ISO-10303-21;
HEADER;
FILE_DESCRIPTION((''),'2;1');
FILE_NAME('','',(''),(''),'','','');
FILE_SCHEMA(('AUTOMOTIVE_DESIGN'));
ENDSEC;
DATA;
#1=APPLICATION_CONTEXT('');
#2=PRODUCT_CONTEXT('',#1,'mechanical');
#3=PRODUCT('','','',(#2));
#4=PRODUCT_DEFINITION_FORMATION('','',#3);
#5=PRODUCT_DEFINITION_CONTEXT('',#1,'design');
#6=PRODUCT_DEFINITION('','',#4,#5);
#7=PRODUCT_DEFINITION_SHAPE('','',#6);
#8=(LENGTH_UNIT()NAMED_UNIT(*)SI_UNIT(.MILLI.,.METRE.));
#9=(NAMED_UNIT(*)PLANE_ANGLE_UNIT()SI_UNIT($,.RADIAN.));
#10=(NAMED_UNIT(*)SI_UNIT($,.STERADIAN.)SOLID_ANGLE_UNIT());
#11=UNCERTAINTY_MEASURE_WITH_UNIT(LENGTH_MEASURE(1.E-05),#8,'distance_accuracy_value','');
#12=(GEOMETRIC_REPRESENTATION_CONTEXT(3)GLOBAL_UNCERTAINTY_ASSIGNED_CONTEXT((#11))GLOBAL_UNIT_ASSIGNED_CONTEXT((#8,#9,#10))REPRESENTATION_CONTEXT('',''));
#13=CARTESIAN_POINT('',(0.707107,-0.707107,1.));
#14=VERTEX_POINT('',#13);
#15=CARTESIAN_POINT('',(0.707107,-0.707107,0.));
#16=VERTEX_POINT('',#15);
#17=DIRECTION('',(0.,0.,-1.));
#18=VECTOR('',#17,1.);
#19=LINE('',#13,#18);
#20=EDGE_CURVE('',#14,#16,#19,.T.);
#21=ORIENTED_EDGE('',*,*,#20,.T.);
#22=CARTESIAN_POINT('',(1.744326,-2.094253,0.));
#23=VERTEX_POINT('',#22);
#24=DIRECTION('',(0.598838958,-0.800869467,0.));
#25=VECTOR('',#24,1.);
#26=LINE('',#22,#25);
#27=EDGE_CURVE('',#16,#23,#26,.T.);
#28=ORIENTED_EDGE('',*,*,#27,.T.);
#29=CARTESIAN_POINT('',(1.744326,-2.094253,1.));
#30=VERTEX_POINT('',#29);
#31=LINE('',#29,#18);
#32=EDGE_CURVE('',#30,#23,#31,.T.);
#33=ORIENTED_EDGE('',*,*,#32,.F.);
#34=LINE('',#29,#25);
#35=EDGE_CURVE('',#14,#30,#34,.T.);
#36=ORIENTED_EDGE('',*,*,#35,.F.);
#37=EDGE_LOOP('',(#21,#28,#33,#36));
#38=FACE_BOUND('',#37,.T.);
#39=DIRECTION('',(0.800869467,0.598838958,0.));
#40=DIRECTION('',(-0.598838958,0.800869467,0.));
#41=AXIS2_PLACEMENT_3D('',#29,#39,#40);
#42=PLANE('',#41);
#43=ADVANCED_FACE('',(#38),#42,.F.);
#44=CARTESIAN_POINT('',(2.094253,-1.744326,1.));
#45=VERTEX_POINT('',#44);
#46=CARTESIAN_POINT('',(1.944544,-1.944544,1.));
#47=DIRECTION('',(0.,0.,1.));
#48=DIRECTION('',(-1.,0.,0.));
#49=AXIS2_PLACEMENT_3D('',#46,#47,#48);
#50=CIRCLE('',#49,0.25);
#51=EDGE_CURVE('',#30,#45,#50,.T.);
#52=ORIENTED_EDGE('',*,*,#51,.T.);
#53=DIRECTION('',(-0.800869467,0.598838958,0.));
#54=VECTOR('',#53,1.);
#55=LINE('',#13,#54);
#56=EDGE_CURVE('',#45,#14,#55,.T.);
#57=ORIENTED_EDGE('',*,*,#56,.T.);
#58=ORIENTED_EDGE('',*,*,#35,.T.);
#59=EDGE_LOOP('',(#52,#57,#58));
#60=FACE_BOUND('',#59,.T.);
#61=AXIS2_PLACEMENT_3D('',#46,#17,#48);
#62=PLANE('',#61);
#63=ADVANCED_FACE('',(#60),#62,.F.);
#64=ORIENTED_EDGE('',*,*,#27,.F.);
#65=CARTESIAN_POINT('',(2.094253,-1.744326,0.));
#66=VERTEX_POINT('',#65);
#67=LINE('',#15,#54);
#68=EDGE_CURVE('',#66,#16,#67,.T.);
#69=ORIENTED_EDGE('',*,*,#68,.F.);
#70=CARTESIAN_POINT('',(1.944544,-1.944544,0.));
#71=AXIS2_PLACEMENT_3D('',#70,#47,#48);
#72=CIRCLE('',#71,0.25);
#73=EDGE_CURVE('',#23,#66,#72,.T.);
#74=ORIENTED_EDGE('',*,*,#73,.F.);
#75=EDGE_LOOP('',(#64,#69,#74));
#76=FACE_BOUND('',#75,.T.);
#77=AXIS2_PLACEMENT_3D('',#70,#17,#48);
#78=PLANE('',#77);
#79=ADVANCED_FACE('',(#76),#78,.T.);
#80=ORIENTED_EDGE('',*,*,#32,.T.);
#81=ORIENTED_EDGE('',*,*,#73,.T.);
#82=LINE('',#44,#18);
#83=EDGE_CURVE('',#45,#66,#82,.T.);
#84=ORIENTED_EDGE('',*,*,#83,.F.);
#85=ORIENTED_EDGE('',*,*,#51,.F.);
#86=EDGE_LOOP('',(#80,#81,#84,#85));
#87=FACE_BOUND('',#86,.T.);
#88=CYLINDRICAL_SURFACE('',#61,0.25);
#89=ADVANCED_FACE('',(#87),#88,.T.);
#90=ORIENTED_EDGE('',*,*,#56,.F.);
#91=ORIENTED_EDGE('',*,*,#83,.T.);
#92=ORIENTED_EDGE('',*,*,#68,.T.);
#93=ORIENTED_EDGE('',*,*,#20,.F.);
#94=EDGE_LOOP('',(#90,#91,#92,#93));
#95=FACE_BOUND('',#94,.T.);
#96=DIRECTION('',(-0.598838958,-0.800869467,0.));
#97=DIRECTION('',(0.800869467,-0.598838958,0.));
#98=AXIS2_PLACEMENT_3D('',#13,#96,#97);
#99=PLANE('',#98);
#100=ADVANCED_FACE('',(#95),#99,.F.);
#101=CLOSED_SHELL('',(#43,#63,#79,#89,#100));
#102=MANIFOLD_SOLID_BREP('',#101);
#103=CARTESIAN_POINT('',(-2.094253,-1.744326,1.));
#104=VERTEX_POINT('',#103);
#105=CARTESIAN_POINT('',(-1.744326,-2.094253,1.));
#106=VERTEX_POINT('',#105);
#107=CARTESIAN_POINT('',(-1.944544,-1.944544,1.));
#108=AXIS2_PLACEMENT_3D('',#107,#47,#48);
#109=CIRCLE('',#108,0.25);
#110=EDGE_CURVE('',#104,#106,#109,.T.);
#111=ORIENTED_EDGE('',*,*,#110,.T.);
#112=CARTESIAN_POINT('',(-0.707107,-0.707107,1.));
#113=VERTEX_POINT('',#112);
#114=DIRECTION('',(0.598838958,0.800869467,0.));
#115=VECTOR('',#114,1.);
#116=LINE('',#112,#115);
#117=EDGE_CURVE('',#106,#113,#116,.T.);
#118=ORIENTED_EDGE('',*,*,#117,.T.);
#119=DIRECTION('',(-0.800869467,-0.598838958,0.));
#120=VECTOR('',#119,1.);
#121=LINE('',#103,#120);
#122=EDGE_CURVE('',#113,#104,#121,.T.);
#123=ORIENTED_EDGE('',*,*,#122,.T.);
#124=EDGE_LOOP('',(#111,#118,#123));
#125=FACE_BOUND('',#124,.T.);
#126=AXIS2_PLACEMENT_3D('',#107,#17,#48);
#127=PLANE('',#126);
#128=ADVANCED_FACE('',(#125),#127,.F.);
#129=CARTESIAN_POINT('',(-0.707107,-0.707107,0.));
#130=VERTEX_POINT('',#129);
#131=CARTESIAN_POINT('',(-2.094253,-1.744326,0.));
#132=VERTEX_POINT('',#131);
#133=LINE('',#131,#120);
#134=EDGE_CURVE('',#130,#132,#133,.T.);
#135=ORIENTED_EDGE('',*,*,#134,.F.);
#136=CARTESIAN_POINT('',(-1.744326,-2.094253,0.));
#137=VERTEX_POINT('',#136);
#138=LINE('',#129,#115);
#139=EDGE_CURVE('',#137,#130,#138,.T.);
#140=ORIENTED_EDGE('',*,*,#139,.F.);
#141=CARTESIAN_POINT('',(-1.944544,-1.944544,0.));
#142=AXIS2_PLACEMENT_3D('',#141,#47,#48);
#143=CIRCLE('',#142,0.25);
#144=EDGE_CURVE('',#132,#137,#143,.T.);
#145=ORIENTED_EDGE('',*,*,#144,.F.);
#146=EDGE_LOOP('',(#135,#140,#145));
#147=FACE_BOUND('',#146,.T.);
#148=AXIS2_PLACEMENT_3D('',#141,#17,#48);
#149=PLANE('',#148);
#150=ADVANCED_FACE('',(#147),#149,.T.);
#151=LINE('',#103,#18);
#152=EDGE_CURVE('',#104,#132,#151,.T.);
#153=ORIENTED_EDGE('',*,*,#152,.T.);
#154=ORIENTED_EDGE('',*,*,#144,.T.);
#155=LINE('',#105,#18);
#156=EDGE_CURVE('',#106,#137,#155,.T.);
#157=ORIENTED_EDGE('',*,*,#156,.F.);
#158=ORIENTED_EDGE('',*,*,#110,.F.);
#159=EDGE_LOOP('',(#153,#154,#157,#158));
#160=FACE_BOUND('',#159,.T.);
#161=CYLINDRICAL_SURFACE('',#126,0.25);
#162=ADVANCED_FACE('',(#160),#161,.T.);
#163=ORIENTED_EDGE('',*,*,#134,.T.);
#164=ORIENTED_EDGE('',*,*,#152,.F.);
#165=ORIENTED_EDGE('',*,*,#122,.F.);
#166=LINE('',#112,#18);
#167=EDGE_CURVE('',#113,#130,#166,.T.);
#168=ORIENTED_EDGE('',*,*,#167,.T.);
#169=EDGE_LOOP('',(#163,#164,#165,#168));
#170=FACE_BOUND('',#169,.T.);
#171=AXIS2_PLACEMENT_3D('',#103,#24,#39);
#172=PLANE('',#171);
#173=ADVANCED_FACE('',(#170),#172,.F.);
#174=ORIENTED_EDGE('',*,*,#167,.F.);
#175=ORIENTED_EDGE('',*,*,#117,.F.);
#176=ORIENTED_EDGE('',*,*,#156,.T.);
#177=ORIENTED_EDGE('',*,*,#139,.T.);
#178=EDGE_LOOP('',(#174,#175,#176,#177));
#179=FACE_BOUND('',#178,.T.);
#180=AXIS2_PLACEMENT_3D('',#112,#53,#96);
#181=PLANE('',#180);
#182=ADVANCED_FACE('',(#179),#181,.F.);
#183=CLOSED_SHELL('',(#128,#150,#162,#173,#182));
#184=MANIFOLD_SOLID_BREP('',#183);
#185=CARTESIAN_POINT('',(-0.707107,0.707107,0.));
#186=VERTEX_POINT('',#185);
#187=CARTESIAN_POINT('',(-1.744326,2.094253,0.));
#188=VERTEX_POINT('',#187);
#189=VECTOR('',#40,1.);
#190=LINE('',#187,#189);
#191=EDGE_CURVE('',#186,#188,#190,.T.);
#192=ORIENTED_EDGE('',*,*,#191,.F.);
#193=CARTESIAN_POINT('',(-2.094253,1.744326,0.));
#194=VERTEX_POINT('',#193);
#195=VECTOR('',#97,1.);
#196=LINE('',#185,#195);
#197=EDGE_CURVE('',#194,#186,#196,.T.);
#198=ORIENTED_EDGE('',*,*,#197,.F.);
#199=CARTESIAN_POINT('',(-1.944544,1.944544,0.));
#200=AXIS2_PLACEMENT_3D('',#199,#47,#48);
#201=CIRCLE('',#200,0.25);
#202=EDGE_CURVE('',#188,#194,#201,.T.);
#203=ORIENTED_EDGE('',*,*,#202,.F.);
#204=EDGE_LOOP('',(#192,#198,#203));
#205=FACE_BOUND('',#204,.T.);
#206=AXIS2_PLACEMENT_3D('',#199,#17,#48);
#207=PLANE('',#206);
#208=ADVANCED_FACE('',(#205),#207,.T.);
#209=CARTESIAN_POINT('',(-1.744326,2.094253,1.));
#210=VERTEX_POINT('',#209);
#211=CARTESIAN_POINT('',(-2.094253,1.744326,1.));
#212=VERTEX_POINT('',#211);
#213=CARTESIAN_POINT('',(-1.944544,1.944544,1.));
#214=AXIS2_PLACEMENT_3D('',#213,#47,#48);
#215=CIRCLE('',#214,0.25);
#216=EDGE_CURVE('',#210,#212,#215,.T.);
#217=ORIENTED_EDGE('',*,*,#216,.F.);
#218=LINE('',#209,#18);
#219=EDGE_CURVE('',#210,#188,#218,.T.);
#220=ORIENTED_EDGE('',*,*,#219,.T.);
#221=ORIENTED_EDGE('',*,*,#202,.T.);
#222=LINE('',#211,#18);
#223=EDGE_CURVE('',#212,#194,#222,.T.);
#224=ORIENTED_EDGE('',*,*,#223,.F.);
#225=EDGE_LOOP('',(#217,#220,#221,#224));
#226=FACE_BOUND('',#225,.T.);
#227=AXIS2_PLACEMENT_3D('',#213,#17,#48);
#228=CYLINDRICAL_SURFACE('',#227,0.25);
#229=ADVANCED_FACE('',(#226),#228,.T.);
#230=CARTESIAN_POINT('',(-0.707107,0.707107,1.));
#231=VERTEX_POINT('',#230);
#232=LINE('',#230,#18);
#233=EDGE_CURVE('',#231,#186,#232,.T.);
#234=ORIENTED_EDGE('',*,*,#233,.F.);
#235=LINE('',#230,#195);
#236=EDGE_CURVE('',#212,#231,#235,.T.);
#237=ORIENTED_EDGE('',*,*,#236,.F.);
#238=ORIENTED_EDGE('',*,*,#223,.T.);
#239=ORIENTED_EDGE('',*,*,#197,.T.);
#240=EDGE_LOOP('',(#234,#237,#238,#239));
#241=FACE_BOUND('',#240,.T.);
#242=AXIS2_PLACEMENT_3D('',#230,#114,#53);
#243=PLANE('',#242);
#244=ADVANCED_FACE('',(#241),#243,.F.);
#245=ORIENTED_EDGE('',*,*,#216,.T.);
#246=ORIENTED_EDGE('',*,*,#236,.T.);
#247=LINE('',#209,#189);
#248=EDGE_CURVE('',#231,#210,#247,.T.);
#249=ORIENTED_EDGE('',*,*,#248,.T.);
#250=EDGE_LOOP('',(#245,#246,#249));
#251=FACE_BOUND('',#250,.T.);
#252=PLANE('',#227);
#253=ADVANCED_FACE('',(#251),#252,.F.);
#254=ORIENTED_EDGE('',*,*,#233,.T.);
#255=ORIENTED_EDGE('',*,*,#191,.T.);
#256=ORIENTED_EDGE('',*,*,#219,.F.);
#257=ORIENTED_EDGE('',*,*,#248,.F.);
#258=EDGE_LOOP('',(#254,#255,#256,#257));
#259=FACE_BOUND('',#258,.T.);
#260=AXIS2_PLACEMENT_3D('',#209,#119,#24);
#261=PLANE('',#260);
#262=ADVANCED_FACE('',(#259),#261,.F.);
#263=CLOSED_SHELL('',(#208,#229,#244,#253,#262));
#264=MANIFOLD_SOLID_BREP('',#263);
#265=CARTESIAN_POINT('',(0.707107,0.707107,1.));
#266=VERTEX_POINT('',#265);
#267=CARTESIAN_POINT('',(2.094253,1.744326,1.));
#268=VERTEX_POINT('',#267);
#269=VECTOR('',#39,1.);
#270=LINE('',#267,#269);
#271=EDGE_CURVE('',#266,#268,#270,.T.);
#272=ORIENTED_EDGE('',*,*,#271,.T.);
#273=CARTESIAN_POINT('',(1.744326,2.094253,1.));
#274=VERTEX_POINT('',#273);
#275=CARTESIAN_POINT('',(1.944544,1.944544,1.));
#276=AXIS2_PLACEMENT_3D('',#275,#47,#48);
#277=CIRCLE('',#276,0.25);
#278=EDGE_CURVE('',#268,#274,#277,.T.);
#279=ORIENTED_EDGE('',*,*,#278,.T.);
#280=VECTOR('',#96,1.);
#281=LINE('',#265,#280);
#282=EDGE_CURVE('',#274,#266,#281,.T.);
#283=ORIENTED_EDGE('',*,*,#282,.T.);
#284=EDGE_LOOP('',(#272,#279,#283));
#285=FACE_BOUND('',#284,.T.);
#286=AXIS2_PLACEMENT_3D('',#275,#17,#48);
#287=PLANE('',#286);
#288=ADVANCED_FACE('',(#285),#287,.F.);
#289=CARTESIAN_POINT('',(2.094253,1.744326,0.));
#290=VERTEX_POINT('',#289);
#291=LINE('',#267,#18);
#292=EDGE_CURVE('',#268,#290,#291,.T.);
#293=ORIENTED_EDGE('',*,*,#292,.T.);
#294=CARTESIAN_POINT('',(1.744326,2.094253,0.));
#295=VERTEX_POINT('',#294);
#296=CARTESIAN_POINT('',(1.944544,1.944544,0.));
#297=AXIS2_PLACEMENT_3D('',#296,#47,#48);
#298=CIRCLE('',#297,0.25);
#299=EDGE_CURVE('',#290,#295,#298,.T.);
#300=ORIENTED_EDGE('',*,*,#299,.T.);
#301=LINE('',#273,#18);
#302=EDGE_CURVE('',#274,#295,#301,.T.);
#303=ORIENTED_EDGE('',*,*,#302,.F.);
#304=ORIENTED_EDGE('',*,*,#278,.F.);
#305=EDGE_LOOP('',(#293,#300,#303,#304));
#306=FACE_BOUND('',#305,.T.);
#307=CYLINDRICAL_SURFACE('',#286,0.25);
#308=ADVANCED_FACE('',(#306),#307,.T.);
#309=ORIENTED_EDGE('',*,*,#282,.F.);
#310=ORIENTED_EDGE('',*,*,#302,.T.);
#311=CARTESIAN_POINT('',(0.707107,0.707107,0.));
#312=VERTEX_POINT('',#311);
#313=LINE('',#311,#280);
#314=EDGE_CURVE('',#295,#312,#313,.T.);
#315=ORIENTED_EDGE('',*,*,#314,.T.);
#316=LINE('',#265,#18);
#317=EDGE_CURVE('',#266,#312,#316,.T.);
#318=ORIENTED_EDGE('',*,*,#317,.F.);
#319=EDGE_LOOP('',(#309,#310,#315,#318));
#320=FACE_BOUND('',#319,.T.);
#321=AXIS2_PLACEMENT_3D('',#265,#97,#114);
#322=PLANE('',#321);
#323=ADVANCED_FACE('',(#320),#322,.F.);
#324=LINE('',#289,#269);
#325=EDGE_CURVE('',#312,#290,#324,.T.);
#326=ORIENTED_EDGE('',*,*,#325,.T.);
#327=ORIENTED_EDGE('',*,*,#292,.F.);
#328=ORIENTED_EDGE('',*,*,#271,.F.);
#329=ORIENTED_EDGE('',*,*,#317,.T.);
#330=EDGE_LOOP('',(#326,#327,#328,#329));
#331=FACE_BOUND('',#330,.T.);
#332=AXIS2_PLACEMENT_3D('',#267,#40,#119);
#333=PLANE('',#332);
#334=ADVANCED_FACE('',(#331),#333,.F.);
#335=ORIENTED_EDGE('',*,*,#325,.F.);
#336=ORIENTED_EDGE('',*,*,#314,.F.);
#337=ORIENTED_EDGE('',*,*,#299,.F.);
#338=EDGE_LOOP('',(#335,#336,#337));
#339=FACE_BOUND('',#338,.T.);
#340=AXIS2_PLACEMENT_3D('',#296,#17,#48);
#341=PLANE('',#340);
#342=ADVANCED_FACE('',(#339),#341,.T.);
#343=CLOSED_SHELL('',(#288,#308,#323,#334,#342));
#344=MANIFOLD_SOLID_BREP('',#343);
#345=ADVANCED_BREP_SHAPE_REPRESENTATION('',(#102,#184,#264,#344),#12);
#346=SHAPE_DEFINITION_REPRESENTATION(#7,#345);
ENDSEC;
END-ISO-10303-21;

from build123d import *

# Parameters (mm, degrees)
BOSS_EXTRUDE1_DEPTH   = 1
BOSS_EXTRUDE1_2_DEPTH = 1
BOSS_EXTRUDE1_3_DEPTH = 1
BOSS_EXTRUDE1_4_DEPTH = 1


with BuildPart() as part:
    # Sketch1 → Boss-Extrude1 (new body)
    with BuildSketch(Plane.XY):
        with BuildLine():
            Line((0.707106781, 0.707106781), (1.744326282, 2.094253388))
            ThreePointArc((1.744326282, 2.094253388), (2.121320344, 2.121320344), (2.094253388, 1.744326282))
            Line((2.094253388, 1.744326282), (0.707106781, 0.707106781))
        make_face()
    extrude(amount=BOSS_EXTRUDE1_DEPTH)


with BuildPart() as body_2:
    # Sketch1 → Boss-Extrude1 2 (new body)
    with BuildSketch(Plane.XY):
        with BuildLine():
            Line((1.744326282, -2.094253388), (0.707106781, -0.707106781))
            Line((0.707106781, -0.707106781), (2.094253388, -1.744326282))
            ThreePointArc((2.094253388, -1.744326282), (2.121320344, -2.121320344), (1.744326282, -2.094253388))
        make_face()
    extrude(amount=BOSS_EXTRUDE1_2_DEPTH)


with BuildPart() as body_3:
    # Sketch1 → Boss-Extrude1 3 (new body)
    with BuildSketch(Plane.XY):
        with BuildLine():
            Line((-2.094253388, -1.744326282), (-0.707106781, -0.707106781))
            Line((-0.707106781, -0.707106781), (-1.744326282, -2.094253388))
            ThreePointArc((-1.744326282, -2.094253388), (-2.121320344, -2.121320344), (-2.094253388, -1.744326282))
        make_face()
    extrude(amount=BOSS_EXTRUDE1_3_DEPTH)


with BuildPart() as body_4:
    # Sketch1 → Boss-Extrude1 4 (new body)
    with BuildSketch(Plane.XY):
        with BuildLine():
            Line((-1.744326282, 2.094253388), (-0.707106781, 0.707106781))
            Line((-0.707106781, 0.707106781), (-2.094253388, 1.744326282))
            ThreePointArc((-2.094253388, 1.744326282), (-2.121320344, 2.121320344), (-1.744326282, 2.094253388))
        make_face()
    extrude(amount=BOSS_EXTRUDE1_4_DEPTH)


solid = Compound([part.part, body_2.part, body_3.part, body_4.part])
